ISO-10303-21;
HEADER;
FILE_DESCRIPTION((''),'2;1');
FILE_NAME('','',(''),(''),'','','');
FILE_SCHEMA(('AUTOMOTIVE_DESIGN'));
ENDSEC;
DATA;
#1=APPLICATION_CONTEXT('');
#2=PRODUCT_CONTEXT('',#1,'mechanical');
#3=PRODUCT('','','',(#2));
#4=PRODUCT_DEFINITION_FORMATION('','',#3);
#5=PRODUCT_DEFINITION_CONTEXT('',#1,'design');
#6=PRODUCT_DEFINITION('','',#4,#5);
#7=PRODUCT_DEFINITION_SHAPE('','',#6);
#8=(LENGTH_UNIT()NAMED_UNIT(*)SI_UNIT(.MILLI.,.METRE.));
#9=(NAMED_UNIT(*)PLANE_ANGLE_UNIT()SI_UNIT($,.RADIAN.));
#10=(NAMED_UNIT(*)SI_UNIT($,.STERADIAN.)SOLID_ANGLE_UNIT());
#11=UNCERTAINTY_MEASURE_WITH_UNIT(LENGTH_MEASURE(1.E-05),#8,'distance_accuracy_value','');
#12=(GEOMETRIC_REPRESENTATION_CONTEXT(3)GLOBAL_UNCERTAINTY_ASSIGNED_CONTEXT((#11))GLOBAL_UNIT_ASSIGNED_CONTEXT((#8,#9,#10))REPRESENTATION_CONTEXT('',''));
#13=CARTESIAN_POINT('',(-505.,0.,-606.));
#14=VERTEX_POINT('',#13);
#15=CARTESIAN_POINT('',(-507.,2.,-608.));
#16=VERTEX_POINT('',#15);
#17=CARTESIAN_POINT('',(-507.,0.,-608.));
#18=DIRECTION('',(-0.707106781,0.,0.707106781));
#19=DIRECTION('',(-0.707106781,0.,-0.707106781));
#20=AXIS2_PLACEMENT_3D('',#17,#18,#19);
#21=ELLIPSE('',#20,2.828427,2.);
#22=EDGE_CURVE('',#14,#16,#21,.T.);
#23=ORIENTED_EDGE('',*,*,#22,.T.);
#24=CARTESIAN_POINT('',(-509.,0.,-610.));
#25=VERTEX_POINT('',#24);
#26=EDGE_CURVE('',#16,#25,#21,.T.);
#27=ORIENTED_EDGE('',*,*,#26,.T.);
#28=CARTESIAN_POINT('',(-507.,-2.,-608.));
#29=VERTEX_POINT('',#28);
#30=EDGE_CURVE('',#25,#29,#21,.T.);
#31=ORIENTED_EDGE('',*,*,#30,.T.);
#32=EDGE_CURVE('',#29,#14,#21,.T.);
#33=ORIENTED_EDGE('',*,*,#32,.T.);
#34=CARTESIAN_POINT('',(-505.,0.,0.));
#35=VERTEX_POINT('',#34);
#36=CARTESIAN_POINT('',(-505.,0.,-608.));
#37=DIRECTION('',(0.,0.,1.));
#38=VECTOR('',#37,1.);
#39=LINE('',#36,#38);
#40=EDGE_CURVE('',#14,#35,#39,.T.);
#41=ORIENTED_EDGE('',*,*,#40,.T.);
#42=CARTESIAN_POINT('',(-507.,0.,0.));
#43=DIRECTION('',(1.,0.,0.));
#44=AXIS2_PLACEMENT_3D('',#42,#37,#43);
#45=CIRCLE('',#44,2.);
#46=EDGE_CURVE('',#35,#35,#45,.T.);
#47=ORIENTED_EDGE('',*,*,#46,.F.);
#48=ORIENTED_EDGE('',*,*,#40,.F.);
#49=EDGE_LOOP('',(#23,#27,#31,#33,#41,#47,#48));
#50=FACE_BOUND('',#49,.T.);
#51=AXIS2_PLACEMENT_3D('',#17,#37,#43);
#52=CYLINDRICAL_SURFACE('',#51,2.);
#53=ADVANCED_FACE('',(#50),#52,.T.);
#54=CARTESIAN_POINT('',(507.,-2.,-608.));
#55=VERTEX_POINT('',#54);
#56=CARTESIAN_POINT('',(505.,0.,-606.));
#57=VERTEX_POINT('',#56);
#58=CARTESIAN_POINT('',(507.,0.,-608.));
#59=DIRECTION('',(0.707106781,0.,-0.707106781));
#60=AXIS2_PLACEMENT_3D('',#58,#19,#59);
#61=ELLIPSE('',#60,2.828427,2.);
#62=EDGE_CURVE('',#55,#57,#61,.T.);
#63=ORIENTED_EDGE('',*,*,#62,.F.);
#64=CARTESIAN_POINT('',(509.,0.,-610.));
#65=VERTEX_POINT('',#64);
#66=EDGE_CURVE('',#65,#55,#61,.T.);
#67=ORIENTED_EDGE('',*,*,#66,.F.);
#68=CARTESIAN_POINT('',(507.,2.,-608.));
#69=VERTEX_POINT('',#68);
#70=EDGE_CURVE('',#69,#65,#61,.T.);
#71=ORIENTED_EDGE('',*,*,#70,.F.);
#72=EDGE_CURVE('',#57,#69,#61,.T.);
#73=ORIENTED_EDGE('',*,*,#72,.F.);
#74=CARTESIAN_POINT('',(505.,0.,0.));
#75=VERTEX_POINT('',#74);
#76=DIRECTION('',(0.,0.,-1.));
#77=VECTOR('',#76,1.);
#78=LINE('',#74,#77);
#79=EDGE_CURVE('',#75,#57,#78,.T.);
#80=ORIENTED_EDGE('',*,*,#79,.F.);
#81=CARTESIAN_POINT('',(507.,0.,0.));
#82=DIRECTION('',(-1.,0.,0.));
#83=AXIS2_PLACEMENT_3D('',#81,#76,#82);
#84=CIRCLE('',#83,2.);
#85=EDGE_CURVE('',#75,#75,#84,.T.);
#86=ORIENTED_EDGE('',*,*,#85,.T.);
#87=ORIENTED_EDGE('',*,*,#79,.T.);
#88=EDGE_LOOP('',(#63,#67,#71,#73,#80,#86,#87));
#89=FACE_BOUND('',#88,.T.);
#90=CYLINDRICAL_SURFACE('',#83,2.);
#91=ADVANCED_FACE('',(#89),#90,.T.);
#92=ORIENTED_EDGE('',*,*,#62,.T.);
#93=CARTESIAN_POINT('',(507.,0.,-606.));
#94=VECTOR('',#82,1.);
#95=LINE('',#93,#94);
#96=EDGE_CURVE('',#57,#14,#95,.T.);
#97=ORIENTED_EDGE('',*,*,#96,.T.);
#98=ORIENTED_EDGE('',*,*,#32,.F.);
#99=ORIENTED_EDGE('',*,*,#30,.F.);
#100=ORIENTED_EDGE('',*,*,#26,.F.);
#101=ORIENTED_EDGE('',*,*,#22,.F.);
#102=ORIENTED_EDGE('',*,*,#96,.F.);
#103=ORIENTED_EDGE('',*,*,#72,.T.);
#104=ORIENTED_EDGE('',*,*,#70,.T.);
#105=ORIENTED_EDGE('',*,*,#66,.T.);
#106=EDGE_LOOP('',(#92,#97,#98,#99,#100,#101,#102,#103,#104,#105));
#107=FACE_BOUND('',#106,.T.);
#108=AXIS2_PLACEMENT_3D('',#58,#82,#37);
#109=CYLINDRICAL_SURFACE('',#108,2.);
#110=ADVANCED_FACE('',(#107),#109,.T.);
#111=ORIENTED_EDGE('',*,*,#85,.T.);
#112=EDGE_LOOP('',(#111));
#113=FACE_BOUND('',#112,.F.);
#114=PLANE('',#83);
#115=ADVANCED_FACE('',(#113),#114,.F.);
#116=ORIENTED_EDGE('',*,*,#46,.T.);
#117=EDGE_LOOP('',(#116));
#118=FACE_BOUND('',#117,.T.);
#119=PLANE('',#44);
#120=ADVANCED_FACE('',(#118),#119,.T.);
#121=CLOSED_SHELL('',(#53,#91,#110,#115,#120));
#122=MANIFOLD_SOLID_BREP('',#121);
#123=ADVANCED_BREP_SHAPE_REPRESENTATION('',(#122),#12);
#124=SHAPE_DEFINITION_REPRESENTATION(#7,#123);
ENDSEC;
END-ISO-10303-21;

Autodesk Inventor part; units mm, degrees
ref_plane "YZ Plane" through (0, 0, 0) normal (1, 0, 0) x (0, 1, 0)
ref_plane "XZ Plane" through (0, 0, 0) normal (0, 1, 0) x (-1, 0, 0)
ref_plane "XY Plane" through (0, 0, 0) normal (0, 0, 1) x (1, 0, 0)
sketch "Skizze1" plane through (0, 0, 0) normal (0, 1, 0) x (-1, 0, 0)
  line L0 (-507, 0) -> (-507, -608)
  line L1 (-507, -608) -> (507, -608)
  line L2 (507, -608) -> (507, 0)
  circle A0 centre (504.5, -605.5) radius 2.5
  circle A1 centre (-504.5, -605.5) radius 2.5
  point P0 (0, 0)
  point P1 (0, 304)
  point P2 (0, -608)
  dimension "d0" = 1014
  dimension "d1" = 608
  dimension "d2" = 5
sketch "Skizze2" plane through (0, 0, 0) normal (0, 0, 1) x (1, 0, 0)
  circle A0 centre (-507, 0) radius 2
  point P0 (0, 0)
  dimension "d3" = 4
  dimension "d4" = 507
sweep "Sweeping1" add profiles "Skizze2" path "Skizze1" path curves L2 L1 L0
properties part number "Gummidichtung" material "Gummi"
